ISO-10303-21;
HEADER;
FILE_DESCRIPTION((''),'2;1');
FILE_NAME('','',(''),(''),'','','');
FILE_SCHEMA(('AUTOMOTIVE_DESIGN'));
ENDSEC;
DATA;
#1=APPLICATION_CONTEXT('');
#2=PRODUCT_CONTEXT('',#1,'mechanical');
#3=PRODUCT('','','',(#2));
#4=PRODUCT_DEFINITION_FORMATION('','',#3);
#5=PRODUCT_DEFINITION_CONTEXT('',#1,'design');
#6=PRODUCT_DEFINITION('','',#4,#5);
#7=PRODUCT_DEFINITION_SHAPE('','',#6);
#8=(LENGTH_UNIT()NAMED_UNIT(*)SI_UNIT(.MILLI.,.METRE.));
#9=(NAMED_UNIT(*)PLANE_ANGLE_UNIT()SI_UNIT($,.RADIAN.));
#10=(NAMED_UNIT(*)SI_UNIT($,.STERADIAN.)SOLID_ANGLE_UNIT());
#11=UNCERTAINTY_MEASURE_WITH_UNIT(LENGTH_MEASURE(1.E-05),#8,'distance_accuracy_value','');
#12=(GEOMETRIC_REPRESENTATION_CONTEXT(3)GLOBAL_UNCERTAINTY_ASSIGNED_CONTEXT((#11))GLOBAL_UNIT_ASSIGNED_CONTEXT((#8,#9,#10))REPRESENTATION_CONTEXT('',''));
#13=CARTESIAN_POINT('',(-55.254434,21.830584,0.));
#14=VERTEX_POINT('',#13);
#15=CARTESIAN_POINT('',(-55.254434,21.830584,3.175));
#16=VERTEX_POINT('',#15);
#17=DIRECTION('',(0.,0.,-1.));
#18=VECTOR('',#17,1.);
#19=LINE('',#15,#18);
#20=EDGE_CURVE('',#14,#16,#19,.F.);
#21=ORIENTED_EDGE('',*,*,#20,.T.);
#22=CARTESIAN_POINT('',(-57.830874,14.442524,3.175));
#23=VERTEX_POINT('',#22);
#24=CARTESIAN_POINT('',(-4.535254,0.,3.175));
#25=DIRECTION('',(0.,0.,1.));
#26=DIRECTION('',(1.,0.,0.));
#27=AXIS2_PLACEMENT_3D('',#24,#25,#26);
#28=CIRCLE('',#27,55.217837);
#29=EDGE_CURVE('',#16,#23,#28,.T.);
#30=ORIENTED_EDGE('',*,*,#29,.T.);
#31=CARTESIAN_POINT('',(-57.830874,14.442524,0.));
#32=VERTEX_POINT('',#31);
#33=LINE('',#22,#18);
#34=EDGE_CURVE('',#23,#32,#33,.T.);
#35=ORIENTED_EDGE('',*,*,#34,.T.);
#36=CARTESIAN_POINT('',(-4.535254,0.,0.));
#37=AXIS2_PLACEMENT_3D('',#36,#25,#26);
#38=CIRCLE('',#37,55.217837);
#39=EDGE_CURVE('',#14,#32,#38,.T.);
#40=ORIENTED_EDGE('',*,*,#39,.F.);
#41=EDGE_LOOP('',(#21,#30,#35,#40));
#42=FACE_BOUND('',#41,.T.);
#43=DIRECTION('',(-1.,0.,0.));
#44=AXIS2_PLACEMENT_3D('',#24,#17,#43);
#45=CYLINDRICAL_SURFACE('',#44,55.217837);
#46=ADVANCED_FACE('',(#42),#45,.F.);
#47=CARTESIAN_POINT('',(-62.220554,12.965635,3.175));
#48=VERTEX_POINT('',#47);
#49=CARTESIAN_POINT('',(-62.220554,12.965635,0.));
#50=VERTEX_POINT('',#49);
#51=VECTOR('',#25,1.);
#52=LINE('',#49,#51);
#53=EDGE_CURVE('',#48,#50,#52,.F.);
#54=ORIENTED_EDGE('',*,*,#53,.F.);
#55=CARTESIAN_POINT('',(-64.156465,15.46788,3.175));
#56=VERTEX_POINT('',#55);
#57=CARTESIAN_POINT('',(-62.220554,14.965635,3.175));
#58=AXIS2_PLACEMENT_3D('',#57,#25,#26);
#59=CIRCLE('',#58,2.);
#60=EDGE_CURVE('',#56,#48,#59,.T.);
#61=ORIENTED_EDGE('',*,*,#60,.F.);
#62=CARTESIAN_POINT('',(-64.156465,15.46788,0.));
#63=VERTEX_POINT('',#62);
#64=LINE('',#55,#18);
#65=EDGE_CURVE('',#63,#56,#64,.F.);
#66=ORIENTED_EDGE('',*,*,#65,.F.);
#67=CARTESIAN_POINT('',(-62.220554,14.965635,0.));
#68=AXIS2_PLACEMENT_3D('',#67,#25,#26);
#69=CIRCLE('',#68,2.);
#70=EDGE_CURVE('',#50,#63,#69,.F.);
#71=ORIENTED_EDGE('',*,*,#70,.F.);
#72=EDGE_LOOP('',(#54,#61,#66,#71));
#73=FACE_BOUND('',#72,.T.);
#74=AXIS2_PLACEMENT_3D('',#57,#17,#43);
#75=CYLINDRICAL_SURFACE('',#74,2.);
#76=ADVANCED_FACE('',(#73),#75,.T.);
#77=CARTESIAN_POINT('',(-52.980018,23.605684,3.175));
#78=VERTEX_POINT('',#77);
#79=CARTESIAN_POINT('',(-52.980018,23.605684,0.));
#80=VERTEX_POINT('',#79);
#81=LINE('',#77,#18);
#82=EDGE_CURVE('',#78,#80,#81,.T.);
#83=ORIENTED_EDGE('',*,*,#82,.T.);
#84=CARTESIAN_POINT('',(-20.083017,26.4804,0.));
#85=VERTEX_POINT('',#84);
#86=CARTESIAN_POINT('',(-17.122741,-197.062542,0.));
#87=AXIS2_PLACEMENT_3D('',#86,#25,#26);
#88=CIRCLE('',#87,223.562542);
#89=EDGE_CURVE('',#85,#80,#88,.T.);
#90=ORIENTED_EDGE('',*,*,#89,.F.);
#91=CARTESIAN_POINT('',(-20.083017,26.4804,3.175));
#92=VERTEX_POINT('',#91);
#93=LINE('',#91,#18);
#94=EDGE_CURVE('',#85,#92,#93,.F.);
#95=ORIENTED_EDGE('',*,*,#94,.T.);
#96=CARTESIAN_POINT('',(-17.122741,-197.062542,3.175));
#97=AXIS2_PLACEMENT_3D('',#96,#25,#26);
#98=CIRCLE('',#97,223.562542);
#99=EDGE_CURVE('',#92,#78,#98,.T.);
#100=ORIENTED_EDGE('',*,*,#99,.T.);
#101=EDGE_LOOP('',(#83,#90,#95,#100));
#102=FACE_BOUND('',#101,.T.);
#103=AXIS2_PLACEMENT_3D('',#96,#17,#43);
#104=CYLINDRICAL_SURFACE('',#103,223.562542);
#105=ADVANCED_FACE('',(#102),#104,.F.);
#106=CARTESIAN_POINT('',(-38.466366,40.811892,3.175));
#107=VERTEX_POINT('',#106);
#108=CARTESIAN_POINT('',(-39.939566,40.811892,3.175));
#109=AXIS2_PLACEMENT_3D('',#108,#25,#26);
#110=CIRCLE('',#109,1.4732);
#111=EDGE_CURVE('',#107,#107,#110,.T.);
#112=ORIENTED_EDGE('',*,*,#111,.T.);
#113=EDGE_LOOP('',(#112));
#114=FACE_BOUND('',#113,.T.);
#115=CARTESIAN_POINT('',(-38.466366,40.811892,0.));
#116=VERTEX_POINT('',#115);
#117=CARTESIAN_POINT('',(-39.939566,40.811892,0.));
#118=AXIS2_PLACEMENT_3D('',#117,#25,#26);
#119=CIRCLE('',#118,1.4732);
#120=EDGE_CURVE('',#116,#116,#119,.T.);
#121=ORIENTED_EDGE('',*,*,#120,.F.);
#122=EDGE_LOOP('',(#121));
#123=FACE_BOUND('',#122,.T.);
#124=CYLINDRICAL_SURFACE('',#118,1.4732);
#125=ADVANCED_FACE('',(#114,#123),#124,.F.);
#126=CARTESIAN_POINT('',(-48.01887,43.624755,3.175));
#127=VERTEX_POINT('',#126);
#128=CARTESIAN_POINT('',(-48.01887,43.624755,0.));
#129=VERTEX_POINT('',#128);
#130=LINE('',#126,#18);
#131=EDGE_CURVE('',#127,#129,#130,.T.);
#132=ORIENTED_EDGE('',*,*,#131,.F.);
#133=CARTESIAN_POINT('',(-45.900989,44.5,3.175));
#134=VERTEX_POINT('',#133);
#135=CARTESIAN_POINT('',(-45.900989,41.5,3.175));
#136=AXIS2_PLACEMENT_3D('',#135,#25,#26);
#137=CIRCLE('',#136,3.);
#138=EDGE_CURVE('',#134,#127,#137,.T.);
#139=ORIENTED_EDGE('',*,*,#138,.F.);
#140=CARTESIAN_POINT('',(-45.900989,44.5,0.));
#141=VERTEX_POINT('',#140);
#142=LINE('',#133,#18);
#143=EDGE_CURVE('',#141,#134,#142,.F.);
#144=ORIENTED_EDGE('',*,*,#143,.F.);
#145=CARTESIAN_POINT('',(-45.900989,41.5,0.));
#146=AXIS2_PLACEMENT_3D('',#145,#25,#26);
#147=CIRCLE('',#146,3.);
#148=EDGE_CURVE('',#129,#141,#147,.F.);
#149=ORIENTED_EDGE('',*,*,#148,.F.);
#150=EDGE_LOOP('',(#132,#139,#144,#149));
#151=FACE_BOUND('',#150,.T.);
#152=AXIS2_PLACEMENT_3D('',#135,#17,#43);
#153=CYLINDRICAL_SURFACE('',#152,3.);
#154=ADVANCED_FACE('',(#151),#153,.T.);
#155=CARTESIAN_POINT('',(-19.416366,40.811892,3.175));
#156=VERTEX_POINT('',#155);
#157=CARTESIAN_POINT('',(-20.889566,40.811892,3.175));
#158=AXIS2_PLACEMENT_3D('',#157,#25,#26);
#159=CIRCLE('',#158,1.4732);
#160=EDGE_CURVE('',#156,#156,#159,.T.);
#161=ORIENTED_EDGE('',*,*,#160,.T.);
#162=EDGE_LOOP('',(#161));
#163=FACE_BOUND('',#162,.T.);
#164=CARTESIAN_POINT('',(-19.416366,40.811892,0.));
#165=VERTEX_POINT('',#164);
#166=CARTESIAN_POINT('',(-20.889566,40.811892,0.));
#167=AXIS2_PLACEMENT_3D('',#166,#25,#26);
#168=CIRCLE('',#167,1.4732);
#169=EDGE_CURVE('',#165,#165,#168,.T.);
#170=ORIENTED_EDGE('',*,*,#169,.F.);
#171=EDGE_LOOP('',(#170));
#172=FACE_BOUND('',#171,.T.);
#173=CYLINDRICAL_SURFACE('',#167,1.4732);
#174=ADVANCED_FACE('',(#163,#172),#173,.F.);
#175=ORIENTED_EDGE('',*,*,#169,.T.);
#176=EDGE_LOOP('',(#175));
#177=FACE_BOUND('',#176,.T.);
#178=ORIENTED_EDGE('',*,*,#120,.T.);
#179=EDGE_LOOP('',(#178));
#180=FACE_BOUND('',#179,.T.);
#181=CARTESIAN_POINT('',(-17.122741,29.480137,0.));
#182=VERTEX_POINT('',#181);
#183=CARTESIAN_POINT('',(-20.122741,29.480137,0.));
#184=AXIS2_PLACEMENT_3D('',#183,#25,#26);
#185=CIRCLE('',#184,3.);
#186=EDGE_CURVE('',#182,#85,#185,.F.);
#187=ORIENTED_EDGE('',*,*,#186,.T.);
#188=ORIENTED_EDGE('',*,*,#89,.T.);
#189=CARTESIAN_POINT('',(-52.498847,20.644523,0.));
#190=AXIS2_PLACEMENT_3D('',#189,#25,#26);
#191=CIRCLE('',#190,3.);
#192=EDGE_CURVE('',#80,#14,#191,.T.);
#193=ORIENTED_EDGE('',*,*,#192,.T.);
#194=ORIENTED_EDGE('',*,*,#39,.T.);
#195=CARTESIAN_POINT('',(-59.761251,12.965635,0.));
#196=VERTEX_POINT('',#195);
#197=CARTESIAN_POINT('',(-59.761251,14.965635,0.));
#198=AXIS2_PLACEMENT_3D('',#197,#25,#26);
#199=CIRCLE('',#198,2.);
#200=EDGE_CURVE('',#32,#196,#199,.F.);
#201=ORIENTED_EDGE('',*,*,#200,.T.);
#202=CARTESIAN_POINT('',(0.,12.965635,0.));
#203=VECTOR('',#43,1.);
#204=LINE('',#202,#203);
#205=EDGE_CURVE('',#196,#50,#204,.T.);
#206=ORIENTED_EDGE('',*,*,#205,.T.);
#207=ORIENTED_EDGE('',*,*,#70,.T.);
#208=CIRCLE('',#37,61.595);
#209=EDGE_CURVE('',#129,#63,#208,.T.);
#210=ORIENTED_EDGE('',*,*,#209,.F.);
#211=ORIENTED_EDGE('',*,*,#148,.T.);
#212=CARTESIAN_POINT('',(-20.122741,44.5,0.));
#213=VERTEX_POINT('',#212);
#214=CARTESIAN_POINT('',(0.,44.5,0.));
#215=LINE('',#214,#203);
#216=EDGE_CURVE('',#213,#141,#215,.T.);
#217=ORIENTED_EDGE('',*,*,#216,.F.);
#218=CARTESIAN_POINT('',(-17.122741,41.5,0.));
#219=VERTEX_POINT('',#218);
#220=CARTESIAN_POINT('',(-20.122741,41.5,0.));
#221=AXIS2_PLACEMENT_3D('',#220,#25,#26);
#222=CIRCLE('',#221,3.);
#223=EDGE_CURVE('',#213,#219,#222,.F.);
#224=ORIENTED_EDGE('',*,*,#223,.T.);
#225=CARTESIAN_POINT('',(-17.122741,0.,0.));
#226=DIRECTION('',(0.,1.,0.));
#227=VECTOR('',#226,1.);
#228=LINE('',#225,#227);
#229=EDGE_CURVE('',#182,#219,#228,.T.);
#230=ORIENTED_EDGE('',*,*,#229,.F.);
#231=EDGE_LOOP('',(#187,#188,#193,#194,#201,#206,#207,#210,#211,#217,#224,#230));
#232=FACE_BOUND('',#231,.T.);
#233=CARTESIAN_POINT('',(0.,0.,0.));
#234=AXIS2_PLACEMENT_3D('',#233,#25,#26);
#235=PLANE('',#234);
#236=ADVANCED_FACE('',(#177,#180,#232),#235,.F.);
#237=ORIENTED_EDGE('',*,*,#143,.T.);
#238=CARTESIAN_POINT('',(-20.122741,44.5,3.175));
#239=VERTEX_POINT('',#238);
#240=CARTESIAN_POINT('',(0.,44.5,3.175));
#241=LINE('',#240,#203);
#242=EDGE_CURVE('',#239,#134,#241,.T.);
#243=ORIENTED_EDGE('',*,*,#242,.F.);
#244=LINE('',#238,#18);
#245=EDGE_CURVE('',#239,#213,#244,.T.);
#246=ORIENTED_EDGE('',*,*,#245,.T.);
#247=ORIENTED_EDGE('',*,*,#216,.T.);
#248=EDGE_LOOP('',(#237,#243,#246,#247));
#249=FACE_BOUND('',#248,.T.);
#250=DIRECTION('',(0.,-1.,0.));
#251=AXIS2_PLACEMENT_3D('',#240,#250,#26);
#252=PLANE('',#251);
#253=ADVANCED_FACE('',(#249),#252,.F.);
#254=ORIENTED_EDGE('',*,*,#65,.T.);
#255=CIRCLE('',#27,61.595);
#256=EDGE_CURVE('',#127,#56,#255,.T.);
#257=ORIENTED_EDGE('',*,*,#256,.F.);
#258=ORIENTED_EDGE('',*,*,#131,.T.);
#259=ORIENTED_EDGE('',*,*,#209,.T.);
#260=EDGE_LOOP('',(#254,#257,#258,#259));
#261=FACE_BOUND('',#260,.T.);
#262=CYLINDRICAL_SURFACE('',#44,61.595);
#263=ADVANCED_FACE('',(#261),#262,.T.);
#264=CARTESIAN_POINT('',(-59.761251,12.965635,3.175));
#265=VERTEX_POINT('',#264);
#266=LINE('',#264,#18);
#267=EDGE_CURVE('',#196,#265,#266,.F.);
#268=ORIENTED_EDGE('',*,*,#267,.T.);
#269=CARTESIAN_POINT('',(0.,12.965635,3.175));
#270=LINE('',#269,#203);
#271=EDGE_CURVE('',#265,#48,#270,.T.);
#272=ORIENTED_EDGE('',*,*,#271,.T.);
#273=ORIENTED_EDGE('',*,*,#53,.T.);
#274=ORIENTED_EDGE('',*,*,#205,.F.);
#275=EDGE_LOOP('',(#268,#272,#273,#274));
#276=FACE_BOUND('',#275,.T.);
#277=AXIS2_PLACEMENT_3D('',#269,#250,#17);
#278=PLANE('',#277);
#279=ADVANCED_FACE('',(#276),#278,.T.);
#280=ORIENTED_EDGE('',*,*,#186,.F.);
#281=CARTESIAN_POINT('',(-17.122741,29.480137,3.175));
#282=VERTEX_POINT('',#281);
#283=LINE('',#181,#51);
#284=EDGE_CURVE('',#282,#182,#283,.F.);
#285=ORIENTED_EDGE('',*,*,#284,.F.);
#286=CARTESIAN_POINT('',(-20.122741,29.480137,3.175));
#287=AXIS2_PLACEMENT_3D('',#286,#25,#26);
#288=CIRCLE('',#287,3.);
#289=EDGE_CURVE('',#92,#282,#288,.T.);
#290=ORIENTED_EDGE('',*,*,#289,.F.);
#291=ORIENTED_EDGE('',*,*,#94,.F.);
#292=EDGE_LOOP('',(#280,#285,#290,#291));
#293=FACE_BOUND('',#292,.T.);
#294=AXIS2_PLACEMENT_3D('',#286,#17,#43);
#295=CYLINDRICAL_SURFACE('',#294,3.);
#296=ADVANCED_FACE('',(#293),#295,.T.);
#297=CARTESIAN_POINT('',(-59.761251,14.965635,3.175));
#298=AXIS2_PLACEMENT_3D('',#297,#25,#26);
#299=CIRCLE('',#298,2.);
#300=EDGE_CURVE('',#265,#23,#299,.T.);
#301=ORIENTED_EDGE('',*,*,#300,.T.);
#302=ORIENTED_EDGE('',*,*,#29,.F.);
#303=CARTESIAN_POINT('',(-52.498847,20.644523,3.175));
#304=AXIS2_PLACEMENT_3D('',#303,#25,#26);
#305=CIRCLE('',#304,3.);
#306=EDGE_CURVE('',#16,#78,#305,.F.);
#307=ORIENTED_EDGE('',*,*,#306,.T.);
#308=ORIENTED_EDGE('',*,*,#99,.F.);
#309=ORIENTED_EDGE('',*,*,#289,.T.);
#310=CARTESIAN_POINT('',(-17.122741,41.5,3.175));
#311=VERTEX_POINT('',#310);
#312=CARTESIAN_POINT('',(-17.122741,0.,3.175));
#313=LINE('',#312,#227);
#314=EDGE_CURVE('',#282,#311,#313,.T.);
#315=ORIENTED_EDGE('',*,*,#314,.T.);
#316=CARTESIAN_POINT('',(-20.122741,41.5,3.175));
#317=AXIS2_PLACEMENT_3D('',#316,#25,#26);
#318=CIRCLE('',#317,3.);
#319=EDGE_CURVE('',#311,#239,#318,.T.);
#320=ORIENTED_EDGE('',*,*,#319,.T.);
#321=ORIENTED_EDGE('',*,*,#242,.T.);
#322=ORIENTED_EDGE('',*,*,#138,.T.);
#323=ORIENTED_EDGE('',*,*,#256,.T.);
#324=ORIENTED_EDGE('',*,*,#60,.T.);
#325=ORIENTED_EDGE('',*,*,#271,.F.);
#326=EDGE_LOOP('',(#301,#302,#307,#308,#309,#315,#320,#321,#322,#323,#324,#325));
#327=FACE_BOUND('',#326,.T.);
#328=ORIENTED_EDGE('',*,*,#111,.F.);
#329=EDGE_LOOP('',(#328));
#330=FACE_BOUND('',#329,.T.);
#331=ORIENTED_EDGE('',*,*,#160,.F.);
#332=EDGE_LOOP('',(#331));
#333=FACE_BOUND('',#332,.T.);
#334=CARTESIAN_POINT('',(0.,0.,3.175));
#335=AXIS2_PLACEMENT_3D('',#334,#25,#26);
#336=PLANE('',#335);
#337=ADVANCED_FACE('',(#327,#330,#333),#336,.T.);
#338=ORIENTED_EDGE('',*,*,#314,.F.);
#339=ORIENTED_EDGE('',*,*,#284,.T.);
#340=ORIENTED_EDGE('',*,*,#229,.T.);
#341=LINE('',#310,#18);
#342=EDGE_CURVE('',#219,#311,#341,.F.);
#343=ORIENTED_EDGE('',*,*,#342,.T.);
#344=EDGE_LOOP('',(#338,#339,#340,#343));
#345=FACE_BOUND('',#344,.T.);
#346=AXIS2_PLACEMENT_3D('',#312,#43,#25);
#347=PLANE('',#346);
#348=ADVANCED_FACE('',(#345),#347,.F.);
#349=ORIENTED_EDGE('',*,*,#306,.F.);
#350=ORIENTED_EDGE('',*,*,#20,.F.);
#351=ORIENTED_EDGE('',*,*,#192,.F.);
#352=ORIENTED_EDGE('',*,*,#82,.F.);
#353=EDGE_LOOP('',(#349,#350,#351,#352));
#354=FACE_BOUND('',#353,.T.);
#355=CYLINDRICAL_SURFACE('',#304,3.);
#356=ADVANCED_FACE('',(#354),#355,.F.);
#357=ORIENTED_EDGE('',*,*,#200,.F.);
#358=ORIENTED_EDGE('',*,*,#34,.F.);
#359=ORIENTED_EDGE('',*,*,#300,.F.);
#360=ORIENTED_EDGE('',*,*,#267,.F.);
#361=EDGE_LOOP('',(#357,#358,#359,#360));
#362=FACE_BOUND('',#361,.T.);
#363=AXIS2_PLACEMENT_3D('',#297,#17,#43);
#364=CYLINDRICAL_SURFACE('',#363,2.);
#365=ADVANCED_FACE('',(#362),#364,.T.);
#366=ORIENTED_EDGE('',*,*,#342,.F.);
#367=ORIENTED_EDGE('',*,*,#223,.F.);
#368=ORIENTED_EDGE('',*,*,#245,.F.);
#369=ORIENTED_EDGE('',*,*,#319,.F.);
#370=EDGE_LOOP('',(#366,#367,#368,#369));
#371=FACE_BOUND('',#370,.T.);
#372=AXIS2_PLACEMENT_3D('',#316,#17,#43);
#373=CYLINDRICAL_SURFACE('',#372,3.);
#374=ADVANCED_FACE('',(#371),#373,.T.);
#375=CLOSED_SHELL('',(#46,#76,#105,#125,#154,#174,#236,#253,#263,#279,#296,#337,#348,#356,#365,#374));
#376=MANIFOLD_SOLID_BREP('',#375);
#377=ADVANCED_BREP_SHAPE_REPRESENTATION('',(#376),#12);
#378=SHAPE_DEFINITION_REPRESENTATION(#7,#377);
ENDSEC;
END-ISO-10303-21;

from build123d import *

# Parameters (mm, degrees)
BOSS_EXTRUDE1_DEPTH = 3.175
SKETCH2_R           = 1.4732
CUT_EXTRUDE1_DEPTH  = 4.175
FILLET1_R           = 3
FILLET3_R           = 2


with BuildPart() as part:
    # Sketch1 → Boss-Extrude1 (new body)
    with BuildSketch(Plane.XY):
        with BuildLine():
            Line((-17.122741189, 26.5), (-17.122741189, 44.5))
            Line((-17.122741189, 44.5), (-47.122741189, 44.5))
            ThreePointArc((-47.122741189, 44.5), (-58.300369938, 30.054224058), (-64.75017234, 12.965635))
            Line((-64.75017234, 12.965635), (-58.20928788, 12.965635))
            ThreePointArc((-58.20928788, 12.965635), (-56.652290629, 18.243467198), (-54.577718421, 23.340123288))
            ThreePointArc((-54.577718421, 23.340123288), (-35.916757127, 25.708630171), (-17.122741189, 26.5))
        make_face()
    extrude(amount=BOSS_EXTRUDE1_DEPTH)

    # Sketch2 → Cut-Extrude1 (cut, through all)
    with BuildSketch(Plane.XY.offset(3.175)):
        with Locations((-20.889565657, 40.81189221)):
            Circle(SKETCH2_R)
        with Locations((-39.939565657, 40.81189221)):
            Circle(SKETCH2_R)
    extrude(amount=-CUT_EXTRUDE1_DEPTH, mode=Mode.SUBTRACT)

    # Fillet1
    fillet1_edges = [part.edges().sort_by_distance(p)[0] for p in [
        (-47.122741189, 44.5, 1.5875),
        (-17.122741189, 44.5, 1.5875),
        (-17.122741189, 26.5, 1.5875),
        (-54.577718421, 23.340123288, 1.5875),
    ]]
    fillet(fillet1_edges, radius=FILLET1_R)

    # Fillet3
    fillet3_edges = [part.edges().sort_by_distance(p)[0] for p in [
        (-58.20928788, 12.965635, 1.5875),
        (-64.75017234, 12.965635, 1.5875),
    ]]
    fillet(fillet3_edges, radius=FILLET3_R)


solid = part.part
